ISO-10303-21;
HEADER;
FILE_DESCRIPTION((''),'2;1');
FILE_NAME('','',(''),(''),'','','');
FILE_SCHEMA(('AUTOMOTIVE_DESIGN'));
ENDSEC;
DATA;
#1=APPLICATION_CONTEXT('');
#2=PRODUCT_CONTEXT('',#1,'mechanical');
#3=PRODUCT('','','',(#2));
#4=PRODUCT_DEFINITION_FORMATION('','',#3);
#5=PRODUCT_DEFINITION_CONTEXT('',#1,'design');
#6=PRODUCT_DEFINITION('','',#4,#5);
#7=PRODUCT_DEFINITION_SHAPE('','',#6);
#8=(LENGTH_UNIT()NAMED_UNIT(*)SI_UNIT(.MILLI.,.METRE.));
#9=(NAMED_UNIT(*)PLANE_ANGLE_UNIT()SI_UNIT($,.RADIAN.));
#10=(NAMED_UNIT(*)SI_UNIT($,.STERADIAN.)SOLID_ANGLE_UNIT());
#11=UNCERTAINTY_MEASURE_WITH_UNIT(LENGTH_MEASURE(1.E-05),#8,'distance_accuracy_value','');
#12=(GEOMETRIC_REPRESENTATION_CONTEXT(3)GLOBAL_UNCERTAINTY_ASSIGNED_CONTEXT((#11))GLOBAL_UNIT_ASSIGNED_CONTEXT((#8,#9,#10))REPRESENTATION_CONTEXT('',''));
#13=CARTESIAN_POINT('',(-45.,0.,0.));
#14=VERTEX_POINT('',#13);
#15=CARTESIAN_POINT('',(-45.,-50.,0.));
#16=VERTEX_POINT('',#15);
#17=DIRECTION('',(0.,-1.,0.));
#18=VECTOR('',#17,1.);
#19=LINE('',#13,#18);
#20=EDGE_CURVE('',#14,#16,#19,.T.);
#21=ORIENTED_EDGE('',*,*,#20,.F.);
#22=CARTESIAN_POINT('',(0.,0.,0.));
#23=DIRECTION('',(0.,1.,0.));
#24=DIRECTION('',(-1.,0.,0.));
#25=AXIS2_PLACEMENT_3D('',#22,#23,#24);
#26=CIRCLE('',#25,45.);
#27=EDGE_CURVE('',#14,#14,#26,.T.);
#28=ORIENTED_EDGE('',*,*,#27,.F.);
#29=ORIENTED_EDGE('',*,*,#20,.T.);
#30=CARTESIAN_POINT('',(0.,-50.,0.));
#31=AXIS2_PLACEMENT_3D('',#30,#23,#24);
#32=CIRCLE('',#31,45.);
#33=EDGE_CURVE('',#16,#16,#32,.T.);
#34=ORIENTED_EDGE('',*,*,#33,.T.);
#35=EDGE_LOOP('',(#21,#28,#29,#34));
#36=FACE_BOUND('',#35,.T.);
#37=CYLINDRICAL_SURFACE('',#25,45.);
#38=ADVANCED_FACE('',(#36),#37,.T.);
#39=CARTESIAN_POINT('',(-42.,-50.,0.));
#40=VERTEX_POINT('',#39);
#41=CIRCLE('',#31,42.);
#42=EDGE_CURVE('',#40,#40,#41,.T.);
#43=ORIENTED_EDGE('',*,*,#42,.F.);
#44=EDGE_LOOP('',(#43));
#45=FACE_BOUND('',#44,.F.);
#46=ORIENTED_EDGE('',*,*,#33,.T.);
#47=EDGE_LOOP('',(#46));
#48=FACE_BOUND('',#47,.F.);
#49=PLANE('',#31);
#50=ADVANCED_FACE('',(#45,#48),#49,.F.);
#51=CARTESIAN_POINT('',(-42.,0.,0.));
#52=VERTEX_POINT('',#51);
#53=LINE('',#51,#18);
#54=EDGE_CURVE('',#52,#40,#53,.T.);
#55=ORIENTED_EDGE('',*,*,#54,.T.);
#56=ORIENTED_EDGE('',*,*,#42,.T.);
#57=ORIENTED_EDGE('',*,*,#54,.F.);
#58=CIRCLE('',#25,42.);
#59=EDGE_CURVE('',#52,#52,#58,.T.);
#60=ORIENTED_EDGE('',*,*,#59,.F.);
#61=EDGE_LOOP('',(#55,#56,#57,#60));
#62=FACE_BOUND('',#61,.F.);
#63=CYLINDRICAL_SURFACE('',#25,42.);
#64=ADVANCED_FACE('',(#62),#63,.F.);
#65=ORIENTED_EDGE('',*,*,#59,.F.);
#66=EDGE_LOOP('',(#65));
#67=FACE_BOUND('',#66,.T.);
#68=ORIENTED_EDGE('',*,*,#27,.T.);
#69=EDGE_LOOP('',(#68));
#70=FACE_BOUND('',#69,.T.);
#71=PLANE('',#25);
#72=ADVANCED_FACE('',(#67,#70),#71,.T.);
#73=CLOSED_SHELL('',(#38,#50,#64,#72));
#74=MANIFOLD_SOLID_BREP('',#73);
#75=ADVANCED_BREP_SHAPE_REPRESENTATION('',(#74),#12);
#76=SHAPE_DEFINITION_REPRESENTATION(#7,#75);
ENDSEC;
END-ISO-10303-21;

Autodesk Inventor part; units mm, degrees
ref_plane "YZ Plane" through (0, 0, 0) normal (1, 0, 0) x (0, 1, 0)
ref_plane "XZ Plane" through (0, 0, 0) normal (0, 1, 0) x (-1, 0, 0)
ref_plane "XY Plane" through (0, 0, 0) normal (0, 0, 1) x (1, 0, 0)
sketch "Sketch1" plane through (0, 0, 0) normal (0, 1, 0) x (-1, 0, 0)
  circle A0 centre (0, 0) radius 45
  circle A1 centre (0, 0) radius 42
  dimension "d0" = 90
  dimension "d1" = 3
extrude "Extrusion1" add sketch "Sketch1" against normal blind 50
properties part number "PNS- 752 tube" material "Steel"
